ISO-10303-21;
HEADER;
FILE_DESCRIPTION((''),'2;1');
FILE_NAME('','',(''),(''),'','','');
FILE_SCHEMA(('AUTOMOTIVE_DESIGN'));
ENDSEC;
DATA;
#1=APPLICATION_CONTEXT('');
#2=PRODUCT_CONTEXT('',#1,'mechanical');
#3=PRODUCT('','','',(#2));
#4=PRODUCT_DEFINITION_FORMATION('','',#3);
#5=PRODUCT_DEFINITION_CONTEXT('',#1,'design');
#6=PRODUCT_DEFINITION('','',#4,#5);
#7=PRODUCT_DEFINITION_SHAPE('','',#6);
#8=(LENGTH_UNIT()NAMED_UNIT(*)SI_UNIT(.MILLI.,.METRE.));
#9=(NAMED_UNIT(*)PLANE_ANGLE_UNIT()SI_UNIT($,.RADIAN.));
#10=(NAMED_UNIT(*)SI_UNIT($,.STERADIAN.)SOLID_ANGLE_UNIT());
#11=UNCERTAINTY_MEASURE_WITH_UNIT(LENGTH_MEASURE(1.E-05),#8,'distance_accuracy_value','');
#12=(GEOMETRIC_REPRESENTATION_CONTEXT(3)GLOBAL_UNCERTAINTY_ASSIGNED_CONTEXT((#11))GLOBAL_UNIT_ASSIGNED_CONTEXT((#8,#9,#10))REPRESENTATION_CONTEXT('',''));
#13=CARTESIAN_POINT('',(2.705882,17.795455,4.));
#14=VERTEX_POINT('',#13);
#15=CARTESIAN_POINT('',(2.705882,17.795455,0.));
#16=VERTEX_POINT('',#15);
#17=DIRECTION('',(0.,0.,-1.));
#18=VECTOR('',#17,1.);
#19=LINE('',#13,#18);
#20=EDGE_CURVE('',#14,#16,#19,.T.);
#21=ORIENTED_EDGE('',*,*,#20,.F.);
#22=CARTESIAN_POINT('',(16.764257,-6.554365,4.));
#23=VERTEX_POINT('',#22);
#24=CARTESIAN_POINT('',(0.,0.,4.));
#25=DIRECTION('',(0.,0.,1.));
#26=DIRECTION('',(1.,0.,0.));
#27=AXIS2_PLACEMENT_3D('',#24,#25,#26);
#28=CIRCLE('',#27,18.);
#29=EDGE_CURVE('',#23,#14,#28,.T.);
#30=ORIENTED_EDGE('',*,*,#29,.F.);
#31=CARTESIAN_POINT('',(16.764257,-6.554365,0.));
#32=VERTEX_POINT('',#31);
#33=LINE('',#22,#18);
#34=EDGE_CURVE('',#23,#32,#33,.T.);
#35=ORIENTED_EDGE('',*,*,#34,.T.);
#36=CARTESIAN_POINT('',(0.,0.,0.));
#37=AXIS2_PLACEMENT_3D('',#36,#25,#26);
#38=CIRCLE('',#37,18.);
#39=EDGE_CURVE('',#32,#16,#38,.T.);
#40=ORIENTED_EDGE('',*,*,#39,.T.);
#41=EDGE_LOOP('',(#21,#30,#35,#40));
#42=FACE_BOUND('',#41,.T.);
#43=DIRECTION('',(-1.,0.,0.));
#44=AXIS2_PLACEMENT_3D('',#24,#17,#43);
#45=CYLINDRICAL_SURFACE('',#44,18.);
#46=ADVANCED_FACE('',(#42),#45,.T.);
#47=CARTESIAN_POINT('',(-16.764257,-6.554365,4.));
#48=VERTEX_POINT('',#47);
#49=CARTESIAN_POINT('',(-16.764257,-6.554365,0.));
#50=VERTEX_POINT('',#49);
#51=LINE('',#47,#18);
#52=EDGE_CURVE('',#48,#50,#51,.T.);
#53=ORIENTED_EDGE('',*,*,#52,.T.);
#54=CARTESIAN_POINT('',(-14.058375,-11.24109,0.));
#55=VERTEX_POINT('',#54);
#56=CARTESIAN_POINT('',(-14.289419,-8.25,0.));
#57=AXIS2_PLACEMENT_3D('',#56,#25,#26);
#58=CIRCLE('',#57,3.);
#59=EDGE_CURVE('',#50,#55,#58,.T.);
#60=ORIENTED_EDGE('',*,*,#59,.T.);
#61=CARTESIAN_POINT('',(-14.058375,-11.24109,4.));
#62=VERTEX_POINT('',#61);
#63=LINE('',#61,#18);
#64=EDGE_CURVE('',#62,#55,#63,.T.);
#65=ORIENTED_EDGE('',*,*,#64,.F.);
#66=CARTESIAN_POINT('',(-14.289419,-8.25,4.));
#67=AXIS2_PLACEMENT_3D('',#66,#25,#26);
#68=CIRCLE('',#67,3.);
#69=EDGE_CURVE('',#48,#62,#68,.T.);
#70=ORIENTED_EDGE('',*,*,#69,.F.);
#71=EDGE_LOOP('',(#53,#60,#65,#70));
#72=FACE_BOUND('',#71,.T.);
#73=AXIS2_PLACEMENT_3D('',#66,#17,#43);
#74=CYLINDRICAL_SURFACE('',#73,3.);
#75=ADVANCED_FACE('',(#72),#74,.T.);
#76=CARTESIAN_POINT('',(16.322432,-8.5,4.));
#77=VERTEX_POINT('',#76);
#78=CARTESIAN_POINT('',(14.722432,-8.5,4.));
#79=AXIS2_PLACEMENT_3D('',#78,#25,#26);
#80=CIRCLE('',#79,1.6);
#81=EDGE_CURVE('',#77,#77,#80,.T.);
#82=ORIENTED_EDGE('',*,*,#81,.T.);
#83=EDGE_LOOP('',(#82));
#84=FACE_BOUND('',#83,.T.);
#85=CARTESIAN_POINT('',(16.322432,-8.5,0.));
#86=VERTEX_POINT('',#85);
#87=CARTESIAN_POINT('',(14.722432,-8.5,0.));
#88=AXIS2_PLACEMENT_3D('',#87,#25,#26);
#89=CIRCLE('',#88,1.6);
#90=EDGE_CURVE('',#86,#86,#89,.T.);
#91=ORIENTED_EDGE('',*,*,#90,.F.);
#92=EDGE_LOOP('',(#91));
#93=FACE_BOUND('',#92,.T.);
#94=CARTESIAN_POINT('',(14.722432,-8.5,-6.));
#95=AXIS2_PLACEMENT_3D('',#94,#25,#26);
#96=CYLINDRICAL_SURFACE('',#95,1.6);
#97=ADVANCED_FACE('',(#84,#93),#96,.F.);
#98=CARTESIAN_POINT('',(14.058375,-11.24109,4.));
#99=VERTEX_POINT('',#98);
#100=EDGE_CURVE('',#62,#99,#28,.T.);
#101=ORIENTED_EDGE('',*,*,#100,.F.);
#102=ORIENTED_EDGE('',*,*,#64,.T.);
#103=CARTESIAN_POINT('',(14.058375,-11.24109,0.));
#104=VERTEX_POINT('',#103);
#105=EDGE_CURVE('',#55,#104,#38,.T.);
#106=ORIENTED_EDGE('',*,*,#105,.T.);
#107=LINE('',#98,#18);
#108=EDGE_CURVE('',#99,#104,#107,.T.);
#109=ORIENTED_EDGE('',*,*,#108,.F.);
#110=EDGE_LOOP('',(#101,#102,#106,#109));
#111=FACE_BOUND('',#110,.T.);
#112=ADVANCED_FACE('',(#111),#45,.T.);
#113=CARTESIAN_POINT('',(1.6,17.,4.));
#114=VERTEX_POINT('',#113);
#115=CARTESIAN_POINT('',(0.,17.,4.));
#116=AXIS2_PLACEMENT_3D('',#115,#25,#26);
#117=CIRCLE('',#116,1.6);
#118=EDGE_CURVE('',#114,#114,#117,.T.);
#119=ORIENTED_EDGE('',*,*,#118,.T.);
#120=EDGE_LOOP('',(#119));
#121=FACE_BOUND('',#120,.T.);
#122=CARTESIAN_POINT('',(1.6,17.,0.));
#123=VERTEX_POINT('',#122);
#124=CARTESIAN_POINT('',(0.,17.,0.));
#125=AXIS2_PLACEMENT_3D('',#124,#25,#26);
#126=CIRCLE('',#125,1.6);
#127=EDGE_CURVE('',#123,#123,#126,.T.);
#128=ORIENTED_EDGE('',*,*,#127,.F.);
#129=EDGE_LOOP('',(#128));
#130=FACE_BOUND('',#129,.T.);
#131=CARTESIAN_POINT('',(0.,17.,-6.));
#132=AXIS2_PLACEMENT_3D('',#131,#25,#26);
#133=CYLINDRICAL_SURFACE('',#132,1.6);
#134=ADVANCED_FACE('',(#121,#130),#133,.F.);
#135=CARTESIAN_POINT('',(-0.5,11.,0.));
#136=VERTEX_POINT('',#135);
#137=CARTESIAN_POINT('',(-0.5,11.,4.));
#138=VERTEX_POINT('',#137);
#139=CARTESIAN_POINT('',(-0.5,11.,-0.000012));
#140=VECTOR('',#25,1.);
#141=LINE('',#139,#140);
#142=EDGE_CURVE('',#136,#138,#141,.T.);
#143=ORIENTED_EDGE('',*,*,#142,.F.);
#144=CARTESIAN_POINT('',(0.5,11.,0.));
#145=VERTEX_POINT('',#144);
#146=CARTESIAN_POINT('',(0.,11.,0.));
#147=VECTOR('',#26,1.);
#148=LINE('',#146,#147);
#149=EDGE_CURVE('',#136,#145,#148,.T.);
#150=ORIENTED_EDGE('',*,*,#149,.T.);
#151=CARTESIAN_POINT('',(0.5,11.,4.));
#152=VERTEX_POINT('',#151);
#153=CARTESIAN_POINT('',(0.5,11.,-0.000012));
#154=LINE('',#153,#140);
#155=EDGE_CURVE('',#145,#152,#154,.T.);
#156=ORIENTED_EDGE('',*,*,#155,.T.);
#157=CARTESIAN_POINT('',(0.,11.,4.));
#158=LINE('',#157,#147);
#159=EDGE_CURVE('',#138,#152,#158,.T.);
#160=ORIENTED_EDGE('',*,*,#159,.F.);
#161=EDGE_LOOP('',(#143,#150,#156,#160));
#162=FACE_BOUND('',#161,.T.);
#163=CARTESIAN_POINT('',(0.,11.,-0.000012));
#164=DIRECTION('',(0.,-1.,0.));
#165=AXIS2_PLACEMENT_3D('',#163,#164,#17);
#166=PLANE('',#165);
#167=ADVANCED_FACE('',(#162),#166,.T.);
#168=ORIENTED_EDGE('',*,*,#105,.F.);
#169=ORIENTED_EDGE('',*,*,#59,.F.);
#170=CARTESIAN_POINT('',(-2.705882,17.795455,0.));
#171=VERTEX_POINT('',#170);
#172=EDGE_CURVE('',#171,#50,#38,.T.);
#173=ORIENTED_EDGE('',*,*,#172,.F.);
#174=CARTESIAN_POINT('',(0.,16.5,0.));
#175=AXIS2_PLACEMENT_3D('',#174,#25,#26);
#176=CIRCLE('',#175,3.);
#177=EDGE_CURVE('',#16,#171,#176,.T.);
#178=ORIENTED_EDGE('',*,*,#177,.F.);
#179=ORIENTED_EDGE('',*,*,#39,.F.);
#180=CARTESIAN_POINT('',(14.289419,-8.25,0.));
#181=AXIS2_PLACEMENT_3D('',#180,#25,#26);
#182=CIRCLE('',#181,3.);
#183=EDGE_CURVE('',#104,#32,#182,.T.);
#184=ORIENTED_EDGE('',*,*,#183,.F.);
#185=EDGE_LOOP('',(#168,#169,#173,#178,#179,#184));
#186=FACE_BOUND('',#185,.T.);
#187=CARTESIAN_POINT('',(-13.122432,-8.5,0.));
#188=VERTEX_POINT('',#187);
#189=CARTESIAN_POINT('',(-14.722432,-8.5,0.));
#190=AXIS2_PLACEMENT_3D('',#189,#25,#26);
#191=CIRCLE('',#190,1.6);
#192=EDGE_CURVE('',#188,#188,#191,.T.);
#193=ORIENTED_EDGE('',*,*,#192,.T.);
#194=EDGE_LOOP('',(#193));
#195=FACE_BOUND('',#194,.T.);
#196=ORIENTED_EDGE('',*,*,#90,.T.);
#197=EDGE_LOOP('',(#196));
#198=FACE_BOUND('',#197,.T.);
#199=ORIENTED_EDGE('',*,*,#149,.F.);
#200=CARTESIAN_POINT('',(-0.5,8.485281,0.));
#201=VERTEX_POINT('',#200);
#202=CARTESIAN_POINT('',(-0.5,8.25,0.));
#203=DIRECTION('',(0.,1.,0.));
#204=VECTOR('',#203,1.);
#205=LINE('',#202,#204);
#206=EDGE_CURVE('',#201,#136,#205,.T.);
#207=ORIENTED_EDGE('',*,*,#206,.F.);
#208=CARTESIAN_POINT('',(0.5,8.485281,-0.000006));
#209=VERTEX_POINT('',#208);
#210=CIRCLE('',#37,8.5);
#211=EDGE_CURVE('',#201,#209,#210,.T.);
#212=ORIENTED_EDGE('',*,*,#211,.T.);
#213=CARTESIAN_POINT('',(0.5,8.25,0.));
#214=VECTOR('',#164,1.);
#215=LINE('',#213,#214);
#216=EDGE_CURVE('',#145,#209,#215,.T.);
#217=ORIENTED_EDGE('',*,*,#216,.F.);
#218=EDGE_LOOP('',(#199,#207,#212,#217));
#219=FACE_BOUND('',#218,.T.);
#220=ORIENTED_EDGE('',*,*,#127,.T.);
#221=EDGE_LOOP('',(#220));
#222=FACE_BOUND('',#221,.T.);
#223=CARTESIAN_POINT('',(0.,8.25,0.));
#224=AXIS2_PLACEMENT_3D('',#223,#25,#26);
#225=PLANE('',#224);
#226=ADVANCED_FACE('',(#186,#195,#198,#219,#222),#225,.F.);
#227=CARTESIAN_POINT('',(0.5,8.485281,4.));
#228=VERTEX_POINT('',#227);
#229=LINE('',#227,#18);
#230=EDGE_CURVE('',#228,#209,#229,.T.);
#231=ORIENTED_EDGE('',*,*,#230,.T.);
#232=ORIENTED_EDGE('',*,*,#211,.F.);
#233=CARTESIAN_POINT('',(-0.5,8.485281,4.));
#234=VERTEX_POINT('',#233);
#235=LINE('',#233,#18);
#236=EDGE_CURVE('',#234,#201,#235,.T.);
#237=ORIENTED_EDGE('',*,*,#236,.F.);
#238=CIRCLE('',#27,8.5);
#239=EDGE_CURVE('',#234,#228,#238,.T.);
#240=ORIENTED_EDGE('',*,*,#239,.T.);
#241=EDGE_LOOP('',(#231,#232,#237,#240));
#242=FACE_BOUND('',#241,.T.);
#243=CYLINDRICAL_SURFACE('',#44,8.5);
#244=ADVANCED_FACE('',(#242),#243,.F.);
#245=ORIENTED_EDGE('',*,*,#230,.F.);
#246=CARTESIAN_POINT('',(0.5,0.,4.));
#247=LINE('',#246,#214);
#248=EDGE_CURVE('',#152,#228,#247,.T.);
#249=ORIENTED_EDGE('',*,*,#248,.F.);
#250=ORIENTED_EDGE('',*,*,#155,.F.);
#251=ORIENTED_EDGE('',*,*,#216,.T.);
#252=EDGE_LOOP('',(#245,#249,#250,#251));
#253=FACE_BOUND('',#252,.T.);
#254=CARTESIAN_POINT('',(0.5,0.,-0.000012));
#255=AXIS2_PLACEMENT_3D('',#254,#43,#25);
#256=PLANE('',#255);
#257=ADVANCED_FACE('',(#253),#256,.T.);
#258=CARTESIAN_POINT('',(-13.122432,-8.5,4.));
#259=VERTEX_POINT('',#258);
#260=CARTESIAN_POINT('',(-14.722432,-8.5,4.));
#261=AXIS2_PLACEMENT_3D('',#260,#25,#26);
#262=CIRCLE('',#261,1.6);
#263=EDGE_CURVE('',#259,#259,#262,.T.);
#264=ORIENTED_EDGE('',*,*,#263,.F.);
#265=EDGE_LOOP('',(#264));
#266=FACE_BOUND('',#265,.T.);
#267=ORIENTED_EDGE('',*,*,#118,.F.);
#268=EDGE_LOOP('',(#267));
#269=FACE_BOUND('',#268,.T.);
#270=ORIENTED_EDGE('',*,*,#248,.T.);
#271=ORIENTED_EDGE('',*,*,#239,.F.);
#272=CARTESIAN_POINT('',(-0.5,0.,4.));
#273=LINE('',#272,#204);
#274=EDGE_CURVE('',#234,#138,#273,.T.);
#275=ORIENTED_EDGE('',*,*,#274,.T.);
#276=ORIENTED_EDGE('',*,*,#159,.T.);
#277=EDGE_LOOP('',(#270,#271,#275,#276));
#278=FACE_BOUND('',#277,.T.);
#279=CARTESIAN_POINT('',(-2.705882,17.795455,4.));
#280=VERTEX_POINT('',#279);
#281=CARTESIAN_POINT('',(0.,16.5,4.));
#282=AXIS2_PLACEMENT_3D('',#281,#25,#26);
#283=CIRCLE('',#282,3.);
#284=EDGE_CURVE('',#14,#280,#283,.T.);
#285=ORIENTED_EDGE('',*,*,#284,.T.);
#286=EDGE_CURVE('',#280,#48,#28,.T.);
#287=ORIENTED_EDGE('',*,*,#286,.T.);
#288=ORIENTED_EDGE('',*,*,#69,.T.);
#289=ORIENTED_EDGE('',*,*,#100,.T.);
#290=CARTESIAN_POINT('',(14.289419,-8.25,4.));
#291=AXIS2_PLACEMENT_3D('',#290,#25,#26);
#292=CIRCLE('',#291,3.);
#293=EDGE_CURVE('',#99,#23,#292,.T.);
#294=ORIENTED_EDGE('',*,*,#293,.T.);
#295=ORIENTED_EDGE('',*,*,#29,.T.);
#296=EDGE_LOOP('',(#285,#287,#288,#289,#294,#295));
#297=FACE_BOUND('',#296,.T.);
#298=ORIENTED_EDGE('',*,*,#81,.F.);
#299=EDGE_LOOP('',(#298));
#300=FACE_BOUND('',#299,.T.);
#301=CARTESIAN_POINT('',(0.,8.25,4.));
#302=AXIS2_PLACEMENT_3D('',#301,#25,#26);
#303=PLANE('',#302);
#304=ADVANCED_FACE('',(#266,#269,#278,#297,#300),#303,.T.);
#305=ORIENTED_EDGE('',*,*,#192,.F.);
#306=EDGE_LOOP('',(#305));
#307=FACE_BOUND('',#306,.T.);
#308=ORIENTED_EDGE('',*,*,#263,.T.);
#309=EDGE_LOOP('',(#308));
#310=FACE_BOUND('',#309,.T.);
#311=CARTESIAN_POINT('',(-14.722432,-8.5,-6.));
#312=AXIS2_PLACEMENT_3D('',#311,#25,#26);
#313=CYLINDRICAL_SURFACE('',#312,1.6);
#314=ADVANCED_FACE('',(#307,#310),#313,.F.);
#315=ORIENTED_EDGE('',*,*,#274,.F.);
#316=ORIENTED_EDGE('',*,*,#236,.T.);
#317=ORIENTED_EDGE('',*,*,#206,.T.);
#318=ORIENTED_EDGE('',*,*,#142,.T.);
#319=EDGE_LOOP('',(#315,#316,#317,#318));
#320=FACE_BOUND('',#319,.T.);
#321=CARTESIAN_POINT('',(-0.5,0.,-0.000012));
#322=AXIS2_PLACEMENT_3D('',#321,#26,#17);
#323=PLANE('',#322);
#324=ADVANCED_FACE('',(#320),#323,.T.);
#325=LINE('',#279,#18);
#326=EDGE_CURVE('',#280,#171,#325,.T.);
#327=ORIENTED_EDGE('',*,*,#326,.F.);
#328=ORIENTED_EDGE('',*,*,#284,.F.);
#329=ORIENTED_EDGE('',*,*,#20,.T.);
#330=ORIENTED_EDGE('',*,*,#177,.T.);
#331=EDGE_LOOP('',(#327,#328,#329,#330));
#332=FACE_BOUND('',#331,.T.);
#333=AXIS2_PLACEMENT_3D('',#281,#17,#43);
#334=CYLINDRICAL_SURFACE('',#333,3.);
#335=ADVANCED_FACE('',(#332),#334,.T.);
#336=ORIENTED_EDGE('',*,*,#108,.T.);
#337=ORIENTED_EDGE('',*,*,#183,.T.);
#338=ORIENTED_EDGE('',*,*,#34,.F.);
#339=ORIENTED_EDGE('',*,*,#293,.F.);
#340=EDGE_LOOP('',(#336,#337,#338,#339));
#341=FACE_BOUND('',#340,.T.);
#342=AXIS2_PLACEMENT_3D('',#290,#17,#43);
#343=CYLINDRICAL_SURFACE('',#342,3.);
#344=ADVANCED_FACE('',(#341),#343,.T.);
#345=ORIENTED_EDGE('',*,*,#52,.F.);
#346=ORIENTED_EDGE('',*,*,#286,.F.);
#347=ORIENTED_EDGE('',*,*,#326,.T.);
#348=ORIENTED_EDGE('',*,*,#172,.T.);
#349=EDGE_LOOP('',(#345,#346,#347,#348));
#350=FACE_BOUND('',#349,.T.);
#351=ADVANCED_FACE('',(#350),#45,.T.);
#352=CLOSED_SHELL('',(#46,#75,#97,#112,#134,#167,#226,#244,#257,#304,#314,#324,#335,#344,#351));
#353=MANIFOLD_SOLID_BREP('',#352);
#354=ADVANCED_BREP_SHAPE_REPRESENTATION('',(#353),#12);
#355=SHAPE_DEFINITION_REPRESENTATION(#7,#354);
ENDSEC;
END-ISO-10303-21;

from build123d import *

# Parameters (mm, degrees)
SKETCH_1_R               = 8.5
EXTRUDE_1_DEPTH          = 4
SKETCH_2_R               = 1.6
CUT_EXTRUDE_1_DEPTH      = 10
CUT_EXTRUDE_3_DEPTH      = 1
CUT_EXTRUDE_3_DEPTH_BACK = 4


with BuildPart() as part:
    # 草图1 → 凸台-拉伸1 (new body)
    with BuildSketch(Plane.XY):
        with BuildLine():
            ThreePointArc((-14.058374697, -11.241089844), (0, -18), (14.058374697, -11.241089844))
            ThreePointArc((14.058374697, -11.241089844), (16.887495374, -9.75), (16.76425672, -6.554364701))
            ThreePointArc((16.76425672, -6.554364701), (15.588457268, 9), (2.705882023, 17.795454545))
            ThreePointArc((2.705882023, 17.795454545), (0, 19.5), (-2.705882023, 17.795454545))
            ThreePointArc((-2.705882023, 17.795454545), (-15.588457268, 9), (-16.76425672, -6.554364701))
            ThreePointArc((-16.76425672, -6.554364701), (-16.887495374, -9.75), (-14.058374697, -11.241089844))
        make_face()
        Circle(SKETCH_1_R, mode=Mode.SUBTRACT)
    extrude(amount=EXTRUDE_1_DEPTH)

    # 草图2 → 切除-拉伸1 (cut)
    with BuildSketch(Plane.XY.offset(4)):
        with Locations((0, 17)):
            Circle(SKETCH_2_R)
        with Locations((14.722431864, -8.5)):
            Circle(SKETCH_2_R)
        with Locations((-14.722431864, -8.5)):
            Circle(SKETCH_2_R)
    extrude(amount=-CUT_EXTRUDE_1_DEPTH, mode=Mode.SUBTRACT)

    # 草图3 → 切除-拉伸3 (cut, two sides)
    with BuildSketch(Plane(origin=(0, 0, 0), x_dir=(-1, 0, 0), z_dir=(0, 0, -1))) as cut_extrude_3_sk:
        with BuildLine():
            ThreePointArc((-0.5, 8.485281374), (0, 8.5), (0.5, 8.485281374))
            Line((0.5, 8.485281374), (0.5, 11))
            Line((0.5, 11), (-0.5, 11))
            Line((-0.5, 11), (-0.5, 8.485281374))
        make_face()
    extrude(amount=CUT_EXTRUDE_3_DEPTH, mode=Mode.SUBTRACT)
    extrude(cut_extrude_3_sk.sketch, amount=-CUT_EXTRUDE_3_DEPTH_BACK, mode=Mode.SUBTRACT)


solid = part.part
